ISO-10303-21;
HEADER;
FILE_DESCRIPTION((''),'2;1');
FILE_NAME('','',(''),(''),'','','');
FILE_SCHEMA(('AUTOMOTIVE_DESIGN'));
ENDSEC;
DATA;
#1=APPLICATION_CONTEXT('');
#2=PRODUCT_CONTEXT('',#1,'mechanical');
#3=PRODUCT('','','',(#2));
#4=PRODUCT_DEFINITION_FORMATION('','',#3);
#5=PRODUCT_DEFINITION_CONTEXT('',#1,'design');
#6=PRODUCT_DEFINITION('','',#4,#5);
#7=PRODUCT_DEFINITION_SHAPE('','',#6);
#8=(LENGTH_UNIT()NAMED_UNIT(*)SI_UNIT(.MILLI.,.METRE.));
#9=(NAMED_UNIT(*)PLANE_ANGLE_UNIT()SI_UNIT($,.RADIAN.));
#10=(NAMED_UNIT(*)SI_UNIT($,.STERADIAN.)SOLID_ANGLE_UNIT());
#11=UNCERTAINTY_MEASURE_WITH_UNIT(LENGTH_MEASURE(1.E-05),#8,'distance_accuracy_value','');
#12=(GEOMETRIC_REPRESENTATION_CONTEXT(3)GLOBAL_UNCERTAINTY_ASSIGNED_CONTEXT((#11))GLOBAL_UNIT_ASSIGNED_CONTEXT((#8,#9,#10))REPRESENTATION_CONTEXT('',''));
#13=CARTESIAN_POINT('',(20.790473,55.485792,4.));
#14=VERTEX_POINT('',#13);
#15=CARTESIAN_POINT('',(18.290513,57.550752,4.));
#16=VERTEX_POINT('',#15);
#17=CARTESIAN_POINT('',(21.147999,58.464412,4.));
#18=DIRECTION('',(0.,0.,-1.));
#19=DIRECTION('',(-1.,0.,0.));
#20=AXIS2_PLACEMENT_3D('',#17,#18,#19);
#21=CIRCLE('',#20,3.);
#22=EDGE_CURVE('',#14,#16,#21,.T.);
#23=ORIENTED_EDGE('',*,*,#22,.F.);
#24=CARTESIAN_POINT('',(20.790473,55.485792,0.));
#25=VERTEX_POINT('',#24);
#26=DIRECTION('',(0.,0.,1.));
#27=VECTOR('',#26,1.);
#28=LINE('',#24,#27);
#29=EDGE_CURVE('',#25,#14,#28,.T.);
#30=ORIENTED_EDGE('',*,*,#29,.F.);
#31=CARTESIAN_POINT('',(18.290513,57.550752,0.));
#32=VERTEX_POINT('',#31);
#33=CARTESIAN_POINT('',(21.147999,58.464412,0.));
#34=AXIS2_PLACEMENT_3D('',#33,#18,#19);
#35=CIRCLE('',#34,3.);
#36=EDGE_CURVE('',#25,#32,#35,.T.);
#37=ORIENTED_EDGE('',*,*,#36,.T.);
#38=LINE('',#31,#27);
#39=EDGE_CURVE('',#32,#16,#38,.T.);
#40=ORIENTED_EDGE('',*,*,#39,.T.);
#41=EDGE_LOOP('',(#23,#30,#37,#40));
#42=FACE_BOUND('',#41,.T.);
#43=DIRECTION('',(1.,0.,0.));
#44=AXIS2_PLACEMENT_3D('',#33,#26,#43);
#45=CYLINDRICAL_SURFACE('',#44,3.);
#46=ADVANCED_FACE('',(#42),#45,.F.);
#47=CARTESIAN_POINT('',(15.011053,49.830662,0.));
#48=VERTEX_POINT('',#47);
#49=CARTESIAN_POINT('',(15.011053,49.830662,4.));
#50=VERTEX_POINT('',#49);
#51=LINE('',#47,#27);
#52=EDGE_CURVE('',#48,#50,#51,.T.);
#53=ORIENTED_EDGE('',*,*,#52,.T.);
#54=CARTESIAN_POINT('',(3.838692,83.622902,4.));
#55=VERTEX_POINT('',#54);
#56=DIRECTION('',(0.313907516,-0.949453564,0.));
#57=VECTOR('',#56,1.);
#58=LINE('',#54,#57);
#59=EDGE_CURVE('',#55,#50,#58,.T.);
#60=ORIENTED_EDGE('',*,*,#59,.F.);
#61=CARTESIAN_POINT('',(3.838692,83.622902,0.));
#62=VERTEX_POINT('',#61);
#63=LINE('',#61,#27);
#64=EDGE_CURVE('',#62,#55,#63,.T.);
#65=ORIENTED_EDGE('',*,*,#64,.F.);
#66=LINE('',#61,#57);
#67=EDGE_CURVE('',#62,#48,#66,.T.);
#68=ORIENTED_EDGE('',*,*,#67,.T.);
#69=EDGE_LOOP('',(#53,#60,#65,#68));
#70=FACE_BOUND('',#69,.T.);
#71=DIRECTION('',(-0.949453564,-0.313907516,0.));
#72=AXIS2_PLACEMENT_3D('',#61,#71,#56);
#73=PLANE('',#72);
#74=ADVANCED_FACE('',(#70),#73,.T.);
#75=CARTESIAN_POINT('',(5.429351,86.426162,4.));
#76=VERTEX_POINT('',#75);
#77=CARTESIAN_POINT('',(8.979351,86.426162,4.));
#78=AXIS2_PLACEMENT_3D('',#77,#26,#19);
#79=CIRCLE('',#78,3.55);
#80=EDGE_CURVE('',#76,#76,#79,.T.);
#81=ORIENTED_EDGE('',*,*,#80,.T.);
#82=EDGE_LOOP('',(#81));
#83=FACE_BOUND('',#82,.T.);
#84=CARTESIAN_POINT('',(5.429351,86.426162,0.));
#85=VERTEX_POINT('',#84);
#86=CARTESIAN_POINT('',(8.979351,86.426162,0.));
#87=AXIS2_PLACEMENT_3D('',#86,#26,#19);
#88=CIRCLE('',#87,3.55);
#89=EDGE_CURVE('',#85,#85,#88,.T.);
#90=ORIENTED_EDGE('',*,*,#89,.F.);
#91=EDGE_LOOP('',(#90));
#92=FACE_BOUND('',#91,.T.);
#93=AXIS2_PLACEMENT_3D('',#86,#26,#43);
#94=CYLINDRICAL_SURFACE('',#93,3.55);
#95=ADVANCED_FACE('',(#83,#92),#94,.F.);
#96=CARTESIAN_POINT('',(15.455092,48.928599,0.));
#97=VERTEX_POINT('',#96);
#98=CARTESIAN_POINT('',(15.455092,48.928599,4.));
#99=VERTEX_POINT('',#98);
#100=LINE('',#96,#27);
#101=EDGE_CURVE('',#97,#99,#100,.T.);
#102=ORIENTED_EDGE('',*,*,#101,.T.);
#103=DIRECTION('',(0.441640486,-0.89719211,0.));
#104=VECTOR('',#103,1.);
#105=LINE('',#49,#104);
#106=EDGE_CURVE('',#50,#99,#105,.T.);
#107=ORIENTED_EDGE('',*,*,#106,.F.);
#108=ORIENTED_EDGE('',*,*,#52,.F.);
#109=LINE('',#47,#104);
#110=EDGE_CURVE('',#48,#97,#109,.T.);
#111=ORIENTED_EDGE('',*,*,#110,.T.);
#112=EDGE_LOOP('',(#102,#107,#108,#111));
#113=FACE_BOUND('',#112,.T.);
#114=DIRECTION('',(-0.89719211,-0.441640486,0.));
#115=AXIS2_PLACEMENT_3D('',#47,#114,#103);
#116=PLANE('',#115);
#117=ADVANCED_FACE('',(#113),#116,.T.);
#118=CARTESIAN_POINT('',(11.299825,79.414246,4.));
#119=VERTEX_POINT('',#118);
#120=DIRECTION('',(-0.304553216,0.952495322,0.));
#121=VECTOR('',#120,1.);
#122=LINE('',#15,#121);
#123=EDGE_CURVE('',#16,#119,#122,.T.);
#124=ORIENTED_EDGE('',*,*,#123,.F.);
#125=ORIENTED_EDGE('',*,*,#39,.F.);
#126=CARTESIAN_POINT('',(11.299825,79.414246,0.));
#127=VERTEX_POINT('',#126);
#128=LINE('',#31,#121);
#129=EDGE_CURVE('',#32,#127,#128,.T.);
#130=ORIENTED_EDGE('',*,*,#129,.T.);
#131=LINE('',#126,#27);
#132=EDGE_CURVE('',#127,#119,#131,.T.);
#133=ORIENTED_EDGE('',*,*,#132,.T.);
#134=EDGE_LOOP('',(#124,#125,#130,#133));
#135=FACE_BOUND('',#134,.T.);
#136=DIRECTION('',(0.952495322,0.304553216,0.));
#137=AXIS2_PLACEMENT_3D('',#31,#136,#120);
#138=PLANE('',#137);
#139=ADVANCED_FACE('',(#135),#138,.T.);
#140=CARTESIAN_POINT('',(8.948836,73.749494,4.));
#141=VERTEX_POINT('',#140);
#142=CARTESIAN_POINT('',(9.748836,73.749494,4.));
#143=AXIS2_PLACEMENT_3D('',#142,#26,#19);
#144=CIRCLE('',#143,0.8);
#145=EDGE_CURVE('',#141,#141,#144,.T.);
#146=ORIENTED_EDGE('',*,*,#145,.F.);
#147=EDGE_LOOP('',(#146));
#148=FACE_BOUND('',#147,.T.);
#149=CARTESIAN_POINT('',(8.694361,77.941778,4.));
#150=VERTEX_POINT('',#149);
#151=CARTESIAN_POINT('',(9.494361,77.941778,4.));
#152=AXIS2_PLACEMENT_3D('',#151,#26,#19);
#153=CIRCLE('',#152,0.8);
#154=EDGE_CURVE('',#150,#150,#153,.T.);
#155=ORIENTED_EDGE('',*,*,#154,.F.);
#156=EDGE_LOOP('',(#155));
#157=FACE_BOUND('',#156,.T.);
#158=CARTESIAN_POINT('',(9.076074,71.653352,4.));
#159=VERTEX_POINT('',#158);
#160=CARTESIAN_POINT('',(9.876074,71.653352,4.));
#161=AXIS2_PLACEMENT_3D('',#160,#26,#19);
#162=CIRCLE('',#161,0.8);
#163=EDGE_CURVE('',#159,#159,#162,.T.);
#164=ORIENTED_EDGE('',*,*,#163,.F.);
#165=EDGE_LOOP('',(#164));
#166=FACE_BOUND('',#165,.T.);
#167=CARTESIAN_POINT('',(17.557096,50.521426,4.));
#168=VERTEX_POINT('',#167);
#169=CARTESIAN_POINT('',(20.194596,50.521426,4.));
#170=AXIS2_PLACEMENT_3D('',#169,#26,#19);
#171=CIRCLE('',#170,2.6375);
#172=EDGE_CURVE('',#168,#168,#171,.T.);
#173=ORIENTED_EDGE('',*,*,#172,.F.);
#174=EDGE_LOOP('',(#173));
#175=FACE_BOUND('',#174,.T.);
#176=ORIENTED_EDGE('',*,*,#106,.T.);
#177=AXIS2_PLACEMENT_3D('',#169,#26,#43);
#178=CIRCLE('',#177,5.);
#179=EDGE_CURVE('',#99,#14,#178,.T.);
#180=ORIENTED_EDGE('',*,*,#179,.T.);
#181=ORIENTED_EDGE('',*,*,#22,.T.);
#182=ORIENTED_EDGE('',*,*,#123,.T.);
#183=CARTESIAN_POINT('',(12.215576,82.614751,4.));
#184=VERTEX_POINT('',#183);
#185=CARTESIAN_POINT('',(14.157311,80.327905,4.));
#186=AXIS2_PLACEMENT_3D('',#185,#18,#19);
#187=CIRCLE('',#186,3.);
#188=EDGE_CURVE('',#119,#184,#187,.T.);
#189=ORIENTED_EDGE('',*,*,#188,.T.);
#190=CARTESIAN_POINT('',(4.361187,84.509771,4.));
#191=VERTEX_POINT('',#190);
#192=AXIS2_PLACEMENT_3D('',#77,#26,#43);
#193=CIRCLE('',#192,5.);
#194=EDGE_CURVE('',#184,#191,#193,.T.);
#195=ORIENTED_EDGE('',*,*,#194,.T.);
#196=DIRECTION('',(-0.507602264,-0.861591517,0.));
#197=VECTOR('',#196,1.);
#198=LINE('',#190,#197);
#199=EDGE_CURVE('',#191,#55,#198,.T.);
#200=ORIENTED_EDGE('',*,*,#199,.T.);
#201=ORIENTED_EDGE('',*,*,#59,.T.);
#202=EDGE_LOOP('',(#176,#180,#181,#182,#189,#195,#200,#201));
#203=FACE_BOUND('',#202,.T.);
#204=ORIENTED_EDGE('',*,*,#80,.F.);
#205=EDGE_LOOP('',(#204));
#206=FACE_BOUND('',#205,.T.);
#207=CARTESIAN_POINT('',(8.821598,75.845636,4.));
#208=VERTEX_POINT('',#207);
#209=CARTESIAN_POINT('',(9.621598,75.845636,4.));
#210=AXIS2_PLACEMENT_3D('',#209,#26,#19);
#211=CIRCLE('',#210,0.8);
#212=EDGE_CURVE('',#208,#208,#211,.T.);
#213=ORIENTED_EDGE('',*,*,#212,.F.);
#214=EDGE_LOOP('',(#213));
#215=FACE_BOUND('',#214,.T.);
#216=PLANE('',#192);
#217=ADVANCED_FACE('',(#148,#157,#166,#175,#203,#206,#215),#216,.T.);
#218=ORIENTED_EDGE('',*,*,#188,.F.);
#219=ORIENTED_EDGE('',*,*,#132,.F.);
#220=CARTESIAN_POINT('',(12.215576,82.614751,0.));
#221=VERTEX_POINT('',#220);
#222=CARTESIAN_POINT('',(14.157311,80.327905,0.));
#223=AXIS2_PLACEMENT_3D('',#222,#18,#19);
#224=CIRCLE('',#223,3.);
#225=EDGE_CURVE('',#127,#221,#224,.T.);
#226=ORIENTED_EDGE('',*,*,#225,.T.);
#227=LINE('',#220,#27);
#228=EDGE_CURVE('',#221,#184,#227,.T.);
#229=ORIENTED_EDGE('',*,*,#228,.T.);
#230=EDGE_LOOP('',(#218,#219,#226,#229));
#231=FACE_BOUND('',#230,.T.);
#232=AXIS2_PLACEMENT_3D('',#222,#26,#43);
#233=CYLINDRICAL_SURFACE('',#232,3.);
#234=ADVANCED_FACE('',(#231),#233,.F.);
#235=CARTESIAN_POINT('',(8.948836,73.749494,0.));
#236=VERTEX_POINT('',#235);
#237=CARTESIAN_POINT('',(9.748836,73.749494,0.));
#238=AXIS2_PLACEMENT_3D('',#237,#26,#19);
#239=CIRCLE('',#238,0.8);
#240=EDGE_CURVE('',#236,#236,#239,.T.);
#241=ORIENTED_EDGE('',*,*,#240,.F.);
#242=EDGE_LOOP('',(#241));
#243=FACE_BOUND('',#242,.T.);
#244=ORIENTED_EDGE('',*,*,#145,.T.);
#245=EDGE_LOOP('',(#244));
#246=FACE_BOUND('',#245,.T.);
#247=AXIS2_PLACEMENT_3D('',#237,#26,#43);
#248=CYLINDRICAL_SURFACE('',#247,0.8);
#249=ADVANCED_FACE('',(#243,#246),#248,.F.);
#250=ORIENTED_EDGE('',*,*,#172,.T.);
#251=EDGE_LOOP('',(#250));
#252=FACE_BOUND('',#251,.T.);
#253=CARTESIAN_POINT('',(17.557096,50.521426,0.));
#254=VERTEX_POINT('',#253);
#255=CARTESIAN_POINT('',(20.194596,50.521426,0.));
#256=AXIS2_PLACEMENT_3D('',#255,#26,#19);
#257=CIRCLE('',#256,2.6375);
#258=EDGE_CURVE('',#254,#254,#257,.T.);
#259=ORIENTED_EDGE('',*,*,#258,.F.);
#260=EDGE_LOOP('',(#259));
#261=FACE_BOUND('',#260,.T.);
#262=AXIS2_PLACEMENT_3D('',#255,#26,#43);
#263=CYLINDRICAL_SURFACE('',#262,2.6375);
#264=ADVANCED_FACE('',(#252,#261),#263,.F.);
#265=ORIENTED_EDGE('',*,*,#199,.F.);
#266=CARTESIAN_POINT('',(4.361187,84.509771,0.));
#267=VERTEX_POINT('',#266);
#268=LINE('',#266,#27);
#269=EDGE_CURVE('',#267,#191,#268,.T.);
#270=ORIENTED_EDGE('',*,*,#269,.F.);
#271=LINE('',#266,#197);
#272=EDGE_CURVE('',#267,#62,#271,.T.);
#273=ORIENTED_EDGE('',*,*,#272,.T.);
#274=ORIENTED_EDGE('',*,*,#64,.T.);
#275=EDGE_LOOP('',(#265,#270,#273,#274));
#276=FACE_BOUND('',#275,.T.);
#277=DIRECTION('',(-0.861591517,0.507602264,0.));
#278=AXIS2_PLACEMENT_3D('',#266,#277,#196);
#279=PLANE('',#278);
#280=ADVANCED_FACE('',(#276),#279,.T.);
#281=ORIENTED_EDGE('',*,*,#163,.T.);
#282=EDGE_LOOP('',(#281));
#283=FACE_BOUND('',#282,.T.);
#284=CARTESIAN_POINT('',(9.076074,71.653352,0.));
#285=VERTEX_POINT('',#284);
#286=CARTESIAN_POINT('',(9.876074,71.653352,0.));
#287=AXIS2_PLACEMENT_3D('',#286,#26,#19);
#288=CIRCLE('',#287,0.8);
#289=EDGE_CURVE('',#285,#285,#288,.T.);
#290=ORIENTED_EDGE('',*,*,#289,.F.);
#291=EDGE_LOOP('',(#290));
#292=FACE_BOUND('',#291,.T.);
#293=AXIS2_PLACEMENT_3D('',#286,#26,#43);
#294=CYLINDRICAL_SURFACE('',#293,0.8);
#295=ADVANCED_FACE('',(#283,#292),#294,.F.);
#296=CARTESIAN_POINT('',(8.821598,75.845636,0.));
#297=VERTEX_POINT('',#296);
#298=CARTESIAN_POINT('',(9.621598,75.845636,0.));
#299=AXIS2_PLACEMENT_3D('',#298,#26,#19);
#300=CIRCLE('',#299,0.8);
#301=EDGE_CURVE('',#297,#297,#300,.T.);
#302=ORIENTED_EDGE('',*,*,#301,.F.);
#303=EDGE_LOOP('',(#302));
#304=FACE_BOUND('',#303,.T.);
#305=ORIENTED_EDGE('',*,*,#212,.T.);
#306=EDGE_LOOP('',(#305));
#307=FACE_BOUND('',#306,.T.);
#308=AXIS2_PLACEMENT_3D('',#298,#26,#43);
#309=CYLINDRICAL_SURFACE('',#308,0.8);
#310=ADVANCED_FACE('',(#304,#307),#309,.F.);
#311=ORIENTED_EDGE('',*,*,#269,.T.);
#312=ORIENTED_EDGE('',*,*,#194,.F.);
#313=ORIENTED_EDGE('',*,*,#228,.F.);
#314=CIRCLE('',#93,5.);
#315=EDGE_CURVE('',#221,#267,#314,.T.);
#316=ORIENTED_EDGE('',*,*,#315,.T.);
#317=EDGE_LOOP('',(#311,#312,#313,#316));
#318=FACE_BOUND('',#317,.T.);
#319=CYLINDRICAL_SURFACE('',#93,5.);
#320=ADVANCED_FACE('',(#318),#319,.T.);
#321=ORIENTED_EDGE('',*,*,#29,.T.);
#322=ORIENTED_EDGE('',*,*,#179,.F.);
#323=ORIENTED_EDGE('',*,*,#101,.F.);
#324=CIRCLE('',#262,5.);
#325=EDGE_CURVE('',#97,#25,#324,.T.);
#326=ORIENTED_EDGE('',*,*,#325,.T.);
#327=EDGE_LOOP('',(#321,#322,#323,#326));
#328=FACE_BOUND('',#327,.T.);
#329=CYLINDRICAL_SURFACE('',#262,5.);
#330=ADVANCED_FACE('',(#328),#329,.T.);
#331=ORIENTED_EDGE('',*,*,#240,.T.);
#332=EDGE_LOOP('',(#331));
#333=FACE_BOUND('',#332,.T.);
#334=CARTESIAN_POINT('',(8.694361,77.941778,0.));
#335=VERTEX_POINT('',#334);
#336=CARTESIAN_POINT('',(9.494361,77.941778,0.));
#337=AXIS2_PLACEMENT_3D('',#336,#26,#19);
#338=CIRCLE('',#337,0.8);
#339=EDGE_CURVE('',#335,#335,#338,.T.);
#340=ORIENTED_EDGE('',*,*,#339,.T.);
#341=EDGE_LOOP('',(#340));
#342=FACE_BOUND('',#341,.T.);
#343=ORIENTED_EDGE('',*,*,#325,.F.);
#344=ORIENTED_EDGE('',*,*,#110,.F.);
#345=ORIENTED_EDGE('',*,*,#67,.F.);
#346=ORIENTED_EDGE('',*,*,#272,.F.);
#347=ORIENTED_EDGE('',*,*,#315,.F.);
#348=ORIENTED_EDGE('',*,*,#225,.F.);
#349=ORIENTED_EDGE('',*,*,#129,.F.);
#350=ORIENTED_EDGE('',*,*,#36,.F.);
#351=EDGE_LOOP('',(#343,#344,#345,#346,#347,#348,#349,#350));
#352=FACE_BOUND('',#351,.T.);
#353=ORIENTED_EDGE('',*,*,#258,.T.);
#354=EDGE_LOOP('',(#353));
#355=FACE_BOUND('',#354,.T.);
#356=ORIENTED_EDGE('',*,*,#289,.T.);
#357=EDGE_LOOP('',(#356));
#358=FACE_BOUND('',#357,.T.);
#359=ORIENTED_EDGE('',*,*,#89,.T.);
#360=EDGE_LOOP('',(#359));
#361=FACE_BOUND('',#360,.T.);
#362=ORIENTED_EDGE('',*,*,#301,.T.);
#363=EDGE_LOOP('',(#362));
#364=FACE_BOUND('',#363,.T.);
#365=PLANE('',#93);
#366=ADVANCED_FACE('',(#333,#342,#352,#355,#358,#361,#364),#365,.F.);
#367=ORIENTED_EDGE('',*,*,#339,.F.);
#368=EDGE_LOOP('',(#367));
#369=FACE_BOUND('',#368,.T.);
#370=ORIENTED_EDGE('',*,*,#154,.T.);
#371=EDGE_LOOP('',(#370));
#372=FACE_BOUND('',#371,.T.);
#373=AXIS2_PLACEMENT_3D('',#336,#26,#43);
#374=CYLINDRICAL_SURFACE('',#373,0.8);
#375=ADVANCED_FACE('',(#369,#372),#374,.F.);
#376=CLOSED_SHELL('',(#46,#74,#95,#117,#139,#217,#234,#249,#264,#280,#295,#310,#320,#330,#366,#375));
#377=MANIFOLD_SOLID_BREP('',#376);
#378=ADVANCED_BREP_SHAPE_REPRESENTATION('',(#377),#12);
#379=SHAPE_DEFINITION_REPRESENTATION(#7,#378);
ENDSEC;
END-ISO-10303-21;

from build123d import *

# Parameters (mm, degrees)
SKETCH1_R           = 2.6375
SKETCH1_R_2         = 3.55
SKETCH1_R_3         = 0.8
BOSS_EXTRUDE1_DEPTH = 4


with BuildPart() as part:
    # Sketch1 → Boss-Extrude1 (new body)
    with BuildSketch(Plane.XY.offset(4)):
        with BuildLine():
            Line((4.361186649, 84.509770663), (3.838692378, 83.622901822))
            Line((3.838692378, 83.622901822), (15.011053362, 49.830662375))
            Line((15.011053362, 49.830662375), (15.45509163, 48.928599175))
            ThreePointArc((15.45509163, 48.928599175), (24.07294723, 47.365734356), (20.790472779, 55.485792426))
            ThreePointArc((20.790472779, 55.485792426), (19.237477826, 56.151424967), (18.290512878, 57.550752445))
            Line((18.290512878, 57.550752445), (11.299825408, 79.414245507))
            ThreePointArc((11.299825408, 79.414245507), (11.27305415, 81.153168904), (12.215576399, 82.614751297))
            ThreePointArc((12.215576399, 82.614751297), (10.152046635, 91.286695043), (4.361186649, 84.509770663))
        make_face()
        with Locations((20.194596002, 50.521426317)):
            Circle(SKETCH1_R, mode=Mode.SUBTRACT)
        with Locations((8.979351439, 86.426161535)):
            Circle(SKETCH1_R_2, mode=Mode.SUBTRACT)
        with Locations((9.4943608, 77.941777919)):
            Circle(SKETCH1_R_3, mode=Mode.SUBTRACT)
        with Locations((9.621598406, 75.845636084)):
            Circle(SKETCH1_R_3, mode=Mode.SUBTRACT)
        with Locations((9.748836013, 73.749494249)):
            Circle(SKETCH1_R_3, mode=Mode.SUBTRACT)
        with Locations((9.87607362, 71.653352414)):
            Circle(SKETCH1_R_3, mode=Mode.SUBTRACT)
    extrude(amount=-BOSS_EXTRUDE1_DEPTH)


solid = part.part
